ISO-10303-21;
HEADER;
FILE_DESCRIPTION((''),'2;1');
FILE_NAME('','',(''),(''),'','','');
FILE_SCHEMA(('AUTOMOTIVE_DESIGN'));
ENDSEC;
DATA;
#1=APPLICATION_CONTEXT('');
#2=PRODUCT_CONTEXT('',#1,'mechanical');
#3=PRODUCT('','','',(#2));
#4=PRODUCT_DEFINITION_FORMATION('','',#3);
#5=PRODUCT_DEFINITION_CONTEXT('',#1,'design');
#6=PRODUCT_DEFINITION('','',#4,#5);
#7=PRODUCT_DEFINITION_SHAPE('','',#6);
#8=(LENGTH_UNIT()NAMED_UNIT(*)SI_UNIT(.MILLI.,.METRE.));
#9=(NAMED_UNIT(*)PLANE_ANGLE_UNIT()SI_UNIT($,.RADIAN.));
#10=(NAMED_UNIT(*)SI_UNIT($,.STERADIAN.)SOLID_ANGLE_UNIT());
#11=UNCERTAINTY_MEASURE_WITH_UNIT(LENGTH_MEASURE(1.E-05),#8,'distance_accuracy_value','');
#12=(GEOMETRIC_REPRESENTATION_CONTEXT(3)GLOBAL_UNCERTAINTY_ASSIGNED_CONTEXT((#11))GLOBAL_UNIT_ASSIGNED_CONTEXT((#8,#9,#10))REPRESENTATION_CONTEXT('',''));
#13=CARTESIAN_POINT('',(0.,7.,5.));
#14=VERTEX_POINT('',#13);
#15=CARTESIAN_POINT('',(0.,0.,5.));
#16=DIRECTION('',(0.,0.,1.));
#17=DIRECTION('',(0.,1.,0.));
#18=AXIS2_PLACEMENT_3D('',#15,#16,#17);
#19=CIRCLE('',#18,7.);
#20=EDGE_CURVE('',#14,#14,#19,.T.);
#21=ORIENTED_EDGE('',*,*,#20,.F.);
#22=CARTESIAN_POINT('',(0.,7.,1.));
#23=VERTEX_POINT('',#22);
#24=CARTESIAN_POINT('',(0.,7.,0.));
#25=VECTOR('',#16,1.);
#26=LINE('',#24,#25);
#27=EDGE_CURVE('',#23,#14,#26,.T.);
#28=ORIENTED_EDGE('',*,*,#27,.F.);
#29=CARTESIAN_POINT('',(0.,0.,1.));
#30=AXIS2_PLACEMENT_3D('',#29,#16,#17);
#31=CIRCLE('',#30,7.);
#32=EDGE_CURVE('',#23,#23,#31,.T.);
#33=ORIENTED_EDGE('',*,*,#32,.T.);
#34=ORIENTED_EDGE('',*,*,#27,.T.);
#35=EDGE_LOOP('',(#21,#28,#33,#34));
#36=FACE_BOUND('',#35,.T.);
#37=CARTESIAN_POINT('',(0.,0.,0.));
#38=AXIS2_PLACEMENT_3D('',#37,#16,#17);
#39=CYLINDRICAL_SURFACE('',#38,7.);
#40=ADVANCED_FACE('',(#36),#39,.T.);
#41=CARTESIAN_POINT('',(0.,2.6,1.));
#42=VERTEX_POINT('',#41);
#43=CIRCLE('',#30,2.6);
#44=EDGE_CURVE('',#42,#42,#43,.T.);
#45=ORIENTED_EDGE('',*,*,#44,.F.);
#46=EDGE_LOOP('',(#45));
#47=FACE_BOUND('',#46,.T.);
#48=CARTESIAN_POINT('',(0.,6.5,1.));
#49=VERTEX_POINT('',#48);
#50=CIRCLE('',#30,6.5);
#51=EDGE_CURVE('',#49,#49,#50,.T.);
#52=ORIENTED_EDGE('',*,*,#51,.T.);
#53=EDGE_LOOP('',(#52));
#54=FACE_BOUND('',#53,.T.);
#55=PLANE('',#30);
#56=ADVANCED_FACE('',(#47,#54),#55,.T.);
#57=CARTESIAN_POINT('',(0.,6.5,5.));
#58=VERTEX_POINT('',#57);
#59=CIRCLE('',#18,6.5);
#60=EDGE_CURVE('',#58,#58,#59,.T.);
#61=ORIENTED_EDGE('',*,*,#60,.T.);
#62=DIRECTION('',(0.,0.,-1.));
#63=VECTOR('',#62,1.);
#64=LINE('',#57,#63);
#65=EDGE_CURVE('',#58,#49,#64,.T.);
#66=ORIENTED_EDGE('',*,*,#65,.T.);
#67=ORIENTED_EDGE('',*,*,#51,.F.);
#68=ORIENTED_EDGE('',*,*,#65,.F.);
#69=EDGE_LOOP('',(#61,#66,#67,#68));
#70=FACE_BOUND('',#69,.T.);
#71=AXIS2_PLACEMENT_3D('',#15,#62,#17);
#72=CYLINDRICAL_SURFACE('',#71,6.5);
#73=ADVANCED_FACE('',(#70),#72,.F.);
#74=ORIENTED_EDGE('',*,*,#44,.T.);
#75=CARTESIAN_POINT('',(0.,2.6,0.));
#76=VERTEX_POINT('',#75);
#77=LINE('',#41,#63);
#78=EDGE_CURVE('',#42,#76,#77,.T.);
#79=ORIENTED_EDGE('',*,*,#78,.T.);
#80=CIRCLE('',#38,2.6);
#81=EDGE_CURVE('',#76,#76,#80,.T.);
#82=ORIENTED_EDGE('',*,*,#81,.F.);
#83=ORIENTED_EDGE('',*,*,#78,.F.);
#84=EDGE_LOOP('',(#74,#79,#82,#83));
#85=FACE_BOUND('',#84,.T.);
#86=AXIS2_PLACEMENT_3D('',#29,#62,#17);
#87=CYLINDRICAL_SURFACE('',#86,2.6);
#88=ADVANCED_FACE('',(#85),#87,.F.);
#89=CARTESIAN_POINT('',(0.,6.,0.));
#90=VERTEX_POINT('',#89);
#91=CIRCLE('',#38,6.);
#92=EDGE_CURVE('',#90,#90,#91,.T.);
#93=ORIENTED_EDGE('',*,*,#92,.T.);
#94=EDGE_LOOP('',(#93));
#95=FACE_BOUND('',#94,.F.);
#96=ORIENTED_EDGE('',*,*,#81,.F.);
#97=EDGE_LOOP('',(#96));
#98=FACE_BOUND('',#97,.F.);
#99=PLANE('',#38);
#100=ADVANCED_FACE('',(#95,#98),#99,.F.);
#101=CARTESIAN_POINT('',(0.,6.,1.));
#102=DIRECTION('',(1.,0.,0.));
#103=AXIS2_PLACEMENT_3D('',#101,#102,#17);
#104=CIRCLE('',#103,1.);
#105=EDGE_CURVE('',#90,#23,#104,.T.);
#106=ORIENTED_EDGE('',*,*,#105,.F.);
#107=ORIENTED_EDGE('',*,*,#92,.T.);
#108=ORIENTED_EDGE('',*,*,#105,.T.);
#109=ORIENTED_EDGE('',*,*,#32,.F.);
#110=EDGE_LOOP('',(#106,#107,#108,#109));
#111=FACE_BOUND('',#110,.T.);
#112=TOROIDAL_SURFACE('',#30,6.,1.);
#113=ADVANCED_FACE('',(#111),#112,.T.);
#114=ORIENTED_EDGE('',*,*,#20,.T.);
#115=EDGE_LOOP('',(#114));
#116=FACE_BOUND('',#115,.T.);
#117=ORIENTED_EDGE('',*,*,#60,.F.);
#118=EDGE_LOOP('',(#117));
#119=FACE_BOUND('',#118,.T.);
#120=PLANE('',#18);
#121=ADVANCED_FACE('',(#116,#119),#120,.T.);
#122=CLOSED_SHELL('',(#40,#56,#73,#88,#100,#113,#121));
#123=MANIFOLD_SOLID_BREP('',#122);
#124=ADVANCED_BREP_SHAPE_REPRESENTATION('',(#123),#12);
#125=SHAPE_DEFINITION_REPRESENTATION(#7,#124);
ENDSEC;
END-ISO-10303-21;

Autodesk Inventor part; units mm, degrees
ref_plane "YZ Plane" through (0, 0, 0) normal (1, 0, 0) x (0, 1, 0)
ref_plane "XZ Plane" through (0, 0, 0) normal (0, 1, 0) x (-1, 0, 0)
ref_plane "XY Plane" through (0, 0, 0) normal (0, 0, 1) x (1, 0, 0)
sketch "Sketch3" plane through (0, 0, 0) normal (1, 0, 0) x (0, 1, 0)
  line L0 (0, 0) -> (0, 24.2821)
  line L1 (7, 0) -> (7, 5)
  line L2 (7, 5) -> (6.5, 5)
  line L3 (6.5, 5) -> (6.5, 1)
  line L4 (6.5, 1) -> (2.6, 1)
  line L5 (2.6, 1) -> (2.6, 0)
  line L6 (7, 0) -> (2.6, 0)
  dimension "d7" = 5.2
  dimension "d10" = 1
  dimension "d12" = 5
  dimension "d13" = 14
  dimension "d14" = 13
revolve "Revolution1" add sketch "Sketch3" angle 360 about axis through (0, 0, 0) along (0, 0, 1)
fillet "Fillet1" radius 1 1 edges at (0, -7, 0)
equation "\"d10\" = wall_thickness"
equation "\"wall_thickness\" = 1"
properties part number "Electrode Skirt Short" material "Stainless Steel"
